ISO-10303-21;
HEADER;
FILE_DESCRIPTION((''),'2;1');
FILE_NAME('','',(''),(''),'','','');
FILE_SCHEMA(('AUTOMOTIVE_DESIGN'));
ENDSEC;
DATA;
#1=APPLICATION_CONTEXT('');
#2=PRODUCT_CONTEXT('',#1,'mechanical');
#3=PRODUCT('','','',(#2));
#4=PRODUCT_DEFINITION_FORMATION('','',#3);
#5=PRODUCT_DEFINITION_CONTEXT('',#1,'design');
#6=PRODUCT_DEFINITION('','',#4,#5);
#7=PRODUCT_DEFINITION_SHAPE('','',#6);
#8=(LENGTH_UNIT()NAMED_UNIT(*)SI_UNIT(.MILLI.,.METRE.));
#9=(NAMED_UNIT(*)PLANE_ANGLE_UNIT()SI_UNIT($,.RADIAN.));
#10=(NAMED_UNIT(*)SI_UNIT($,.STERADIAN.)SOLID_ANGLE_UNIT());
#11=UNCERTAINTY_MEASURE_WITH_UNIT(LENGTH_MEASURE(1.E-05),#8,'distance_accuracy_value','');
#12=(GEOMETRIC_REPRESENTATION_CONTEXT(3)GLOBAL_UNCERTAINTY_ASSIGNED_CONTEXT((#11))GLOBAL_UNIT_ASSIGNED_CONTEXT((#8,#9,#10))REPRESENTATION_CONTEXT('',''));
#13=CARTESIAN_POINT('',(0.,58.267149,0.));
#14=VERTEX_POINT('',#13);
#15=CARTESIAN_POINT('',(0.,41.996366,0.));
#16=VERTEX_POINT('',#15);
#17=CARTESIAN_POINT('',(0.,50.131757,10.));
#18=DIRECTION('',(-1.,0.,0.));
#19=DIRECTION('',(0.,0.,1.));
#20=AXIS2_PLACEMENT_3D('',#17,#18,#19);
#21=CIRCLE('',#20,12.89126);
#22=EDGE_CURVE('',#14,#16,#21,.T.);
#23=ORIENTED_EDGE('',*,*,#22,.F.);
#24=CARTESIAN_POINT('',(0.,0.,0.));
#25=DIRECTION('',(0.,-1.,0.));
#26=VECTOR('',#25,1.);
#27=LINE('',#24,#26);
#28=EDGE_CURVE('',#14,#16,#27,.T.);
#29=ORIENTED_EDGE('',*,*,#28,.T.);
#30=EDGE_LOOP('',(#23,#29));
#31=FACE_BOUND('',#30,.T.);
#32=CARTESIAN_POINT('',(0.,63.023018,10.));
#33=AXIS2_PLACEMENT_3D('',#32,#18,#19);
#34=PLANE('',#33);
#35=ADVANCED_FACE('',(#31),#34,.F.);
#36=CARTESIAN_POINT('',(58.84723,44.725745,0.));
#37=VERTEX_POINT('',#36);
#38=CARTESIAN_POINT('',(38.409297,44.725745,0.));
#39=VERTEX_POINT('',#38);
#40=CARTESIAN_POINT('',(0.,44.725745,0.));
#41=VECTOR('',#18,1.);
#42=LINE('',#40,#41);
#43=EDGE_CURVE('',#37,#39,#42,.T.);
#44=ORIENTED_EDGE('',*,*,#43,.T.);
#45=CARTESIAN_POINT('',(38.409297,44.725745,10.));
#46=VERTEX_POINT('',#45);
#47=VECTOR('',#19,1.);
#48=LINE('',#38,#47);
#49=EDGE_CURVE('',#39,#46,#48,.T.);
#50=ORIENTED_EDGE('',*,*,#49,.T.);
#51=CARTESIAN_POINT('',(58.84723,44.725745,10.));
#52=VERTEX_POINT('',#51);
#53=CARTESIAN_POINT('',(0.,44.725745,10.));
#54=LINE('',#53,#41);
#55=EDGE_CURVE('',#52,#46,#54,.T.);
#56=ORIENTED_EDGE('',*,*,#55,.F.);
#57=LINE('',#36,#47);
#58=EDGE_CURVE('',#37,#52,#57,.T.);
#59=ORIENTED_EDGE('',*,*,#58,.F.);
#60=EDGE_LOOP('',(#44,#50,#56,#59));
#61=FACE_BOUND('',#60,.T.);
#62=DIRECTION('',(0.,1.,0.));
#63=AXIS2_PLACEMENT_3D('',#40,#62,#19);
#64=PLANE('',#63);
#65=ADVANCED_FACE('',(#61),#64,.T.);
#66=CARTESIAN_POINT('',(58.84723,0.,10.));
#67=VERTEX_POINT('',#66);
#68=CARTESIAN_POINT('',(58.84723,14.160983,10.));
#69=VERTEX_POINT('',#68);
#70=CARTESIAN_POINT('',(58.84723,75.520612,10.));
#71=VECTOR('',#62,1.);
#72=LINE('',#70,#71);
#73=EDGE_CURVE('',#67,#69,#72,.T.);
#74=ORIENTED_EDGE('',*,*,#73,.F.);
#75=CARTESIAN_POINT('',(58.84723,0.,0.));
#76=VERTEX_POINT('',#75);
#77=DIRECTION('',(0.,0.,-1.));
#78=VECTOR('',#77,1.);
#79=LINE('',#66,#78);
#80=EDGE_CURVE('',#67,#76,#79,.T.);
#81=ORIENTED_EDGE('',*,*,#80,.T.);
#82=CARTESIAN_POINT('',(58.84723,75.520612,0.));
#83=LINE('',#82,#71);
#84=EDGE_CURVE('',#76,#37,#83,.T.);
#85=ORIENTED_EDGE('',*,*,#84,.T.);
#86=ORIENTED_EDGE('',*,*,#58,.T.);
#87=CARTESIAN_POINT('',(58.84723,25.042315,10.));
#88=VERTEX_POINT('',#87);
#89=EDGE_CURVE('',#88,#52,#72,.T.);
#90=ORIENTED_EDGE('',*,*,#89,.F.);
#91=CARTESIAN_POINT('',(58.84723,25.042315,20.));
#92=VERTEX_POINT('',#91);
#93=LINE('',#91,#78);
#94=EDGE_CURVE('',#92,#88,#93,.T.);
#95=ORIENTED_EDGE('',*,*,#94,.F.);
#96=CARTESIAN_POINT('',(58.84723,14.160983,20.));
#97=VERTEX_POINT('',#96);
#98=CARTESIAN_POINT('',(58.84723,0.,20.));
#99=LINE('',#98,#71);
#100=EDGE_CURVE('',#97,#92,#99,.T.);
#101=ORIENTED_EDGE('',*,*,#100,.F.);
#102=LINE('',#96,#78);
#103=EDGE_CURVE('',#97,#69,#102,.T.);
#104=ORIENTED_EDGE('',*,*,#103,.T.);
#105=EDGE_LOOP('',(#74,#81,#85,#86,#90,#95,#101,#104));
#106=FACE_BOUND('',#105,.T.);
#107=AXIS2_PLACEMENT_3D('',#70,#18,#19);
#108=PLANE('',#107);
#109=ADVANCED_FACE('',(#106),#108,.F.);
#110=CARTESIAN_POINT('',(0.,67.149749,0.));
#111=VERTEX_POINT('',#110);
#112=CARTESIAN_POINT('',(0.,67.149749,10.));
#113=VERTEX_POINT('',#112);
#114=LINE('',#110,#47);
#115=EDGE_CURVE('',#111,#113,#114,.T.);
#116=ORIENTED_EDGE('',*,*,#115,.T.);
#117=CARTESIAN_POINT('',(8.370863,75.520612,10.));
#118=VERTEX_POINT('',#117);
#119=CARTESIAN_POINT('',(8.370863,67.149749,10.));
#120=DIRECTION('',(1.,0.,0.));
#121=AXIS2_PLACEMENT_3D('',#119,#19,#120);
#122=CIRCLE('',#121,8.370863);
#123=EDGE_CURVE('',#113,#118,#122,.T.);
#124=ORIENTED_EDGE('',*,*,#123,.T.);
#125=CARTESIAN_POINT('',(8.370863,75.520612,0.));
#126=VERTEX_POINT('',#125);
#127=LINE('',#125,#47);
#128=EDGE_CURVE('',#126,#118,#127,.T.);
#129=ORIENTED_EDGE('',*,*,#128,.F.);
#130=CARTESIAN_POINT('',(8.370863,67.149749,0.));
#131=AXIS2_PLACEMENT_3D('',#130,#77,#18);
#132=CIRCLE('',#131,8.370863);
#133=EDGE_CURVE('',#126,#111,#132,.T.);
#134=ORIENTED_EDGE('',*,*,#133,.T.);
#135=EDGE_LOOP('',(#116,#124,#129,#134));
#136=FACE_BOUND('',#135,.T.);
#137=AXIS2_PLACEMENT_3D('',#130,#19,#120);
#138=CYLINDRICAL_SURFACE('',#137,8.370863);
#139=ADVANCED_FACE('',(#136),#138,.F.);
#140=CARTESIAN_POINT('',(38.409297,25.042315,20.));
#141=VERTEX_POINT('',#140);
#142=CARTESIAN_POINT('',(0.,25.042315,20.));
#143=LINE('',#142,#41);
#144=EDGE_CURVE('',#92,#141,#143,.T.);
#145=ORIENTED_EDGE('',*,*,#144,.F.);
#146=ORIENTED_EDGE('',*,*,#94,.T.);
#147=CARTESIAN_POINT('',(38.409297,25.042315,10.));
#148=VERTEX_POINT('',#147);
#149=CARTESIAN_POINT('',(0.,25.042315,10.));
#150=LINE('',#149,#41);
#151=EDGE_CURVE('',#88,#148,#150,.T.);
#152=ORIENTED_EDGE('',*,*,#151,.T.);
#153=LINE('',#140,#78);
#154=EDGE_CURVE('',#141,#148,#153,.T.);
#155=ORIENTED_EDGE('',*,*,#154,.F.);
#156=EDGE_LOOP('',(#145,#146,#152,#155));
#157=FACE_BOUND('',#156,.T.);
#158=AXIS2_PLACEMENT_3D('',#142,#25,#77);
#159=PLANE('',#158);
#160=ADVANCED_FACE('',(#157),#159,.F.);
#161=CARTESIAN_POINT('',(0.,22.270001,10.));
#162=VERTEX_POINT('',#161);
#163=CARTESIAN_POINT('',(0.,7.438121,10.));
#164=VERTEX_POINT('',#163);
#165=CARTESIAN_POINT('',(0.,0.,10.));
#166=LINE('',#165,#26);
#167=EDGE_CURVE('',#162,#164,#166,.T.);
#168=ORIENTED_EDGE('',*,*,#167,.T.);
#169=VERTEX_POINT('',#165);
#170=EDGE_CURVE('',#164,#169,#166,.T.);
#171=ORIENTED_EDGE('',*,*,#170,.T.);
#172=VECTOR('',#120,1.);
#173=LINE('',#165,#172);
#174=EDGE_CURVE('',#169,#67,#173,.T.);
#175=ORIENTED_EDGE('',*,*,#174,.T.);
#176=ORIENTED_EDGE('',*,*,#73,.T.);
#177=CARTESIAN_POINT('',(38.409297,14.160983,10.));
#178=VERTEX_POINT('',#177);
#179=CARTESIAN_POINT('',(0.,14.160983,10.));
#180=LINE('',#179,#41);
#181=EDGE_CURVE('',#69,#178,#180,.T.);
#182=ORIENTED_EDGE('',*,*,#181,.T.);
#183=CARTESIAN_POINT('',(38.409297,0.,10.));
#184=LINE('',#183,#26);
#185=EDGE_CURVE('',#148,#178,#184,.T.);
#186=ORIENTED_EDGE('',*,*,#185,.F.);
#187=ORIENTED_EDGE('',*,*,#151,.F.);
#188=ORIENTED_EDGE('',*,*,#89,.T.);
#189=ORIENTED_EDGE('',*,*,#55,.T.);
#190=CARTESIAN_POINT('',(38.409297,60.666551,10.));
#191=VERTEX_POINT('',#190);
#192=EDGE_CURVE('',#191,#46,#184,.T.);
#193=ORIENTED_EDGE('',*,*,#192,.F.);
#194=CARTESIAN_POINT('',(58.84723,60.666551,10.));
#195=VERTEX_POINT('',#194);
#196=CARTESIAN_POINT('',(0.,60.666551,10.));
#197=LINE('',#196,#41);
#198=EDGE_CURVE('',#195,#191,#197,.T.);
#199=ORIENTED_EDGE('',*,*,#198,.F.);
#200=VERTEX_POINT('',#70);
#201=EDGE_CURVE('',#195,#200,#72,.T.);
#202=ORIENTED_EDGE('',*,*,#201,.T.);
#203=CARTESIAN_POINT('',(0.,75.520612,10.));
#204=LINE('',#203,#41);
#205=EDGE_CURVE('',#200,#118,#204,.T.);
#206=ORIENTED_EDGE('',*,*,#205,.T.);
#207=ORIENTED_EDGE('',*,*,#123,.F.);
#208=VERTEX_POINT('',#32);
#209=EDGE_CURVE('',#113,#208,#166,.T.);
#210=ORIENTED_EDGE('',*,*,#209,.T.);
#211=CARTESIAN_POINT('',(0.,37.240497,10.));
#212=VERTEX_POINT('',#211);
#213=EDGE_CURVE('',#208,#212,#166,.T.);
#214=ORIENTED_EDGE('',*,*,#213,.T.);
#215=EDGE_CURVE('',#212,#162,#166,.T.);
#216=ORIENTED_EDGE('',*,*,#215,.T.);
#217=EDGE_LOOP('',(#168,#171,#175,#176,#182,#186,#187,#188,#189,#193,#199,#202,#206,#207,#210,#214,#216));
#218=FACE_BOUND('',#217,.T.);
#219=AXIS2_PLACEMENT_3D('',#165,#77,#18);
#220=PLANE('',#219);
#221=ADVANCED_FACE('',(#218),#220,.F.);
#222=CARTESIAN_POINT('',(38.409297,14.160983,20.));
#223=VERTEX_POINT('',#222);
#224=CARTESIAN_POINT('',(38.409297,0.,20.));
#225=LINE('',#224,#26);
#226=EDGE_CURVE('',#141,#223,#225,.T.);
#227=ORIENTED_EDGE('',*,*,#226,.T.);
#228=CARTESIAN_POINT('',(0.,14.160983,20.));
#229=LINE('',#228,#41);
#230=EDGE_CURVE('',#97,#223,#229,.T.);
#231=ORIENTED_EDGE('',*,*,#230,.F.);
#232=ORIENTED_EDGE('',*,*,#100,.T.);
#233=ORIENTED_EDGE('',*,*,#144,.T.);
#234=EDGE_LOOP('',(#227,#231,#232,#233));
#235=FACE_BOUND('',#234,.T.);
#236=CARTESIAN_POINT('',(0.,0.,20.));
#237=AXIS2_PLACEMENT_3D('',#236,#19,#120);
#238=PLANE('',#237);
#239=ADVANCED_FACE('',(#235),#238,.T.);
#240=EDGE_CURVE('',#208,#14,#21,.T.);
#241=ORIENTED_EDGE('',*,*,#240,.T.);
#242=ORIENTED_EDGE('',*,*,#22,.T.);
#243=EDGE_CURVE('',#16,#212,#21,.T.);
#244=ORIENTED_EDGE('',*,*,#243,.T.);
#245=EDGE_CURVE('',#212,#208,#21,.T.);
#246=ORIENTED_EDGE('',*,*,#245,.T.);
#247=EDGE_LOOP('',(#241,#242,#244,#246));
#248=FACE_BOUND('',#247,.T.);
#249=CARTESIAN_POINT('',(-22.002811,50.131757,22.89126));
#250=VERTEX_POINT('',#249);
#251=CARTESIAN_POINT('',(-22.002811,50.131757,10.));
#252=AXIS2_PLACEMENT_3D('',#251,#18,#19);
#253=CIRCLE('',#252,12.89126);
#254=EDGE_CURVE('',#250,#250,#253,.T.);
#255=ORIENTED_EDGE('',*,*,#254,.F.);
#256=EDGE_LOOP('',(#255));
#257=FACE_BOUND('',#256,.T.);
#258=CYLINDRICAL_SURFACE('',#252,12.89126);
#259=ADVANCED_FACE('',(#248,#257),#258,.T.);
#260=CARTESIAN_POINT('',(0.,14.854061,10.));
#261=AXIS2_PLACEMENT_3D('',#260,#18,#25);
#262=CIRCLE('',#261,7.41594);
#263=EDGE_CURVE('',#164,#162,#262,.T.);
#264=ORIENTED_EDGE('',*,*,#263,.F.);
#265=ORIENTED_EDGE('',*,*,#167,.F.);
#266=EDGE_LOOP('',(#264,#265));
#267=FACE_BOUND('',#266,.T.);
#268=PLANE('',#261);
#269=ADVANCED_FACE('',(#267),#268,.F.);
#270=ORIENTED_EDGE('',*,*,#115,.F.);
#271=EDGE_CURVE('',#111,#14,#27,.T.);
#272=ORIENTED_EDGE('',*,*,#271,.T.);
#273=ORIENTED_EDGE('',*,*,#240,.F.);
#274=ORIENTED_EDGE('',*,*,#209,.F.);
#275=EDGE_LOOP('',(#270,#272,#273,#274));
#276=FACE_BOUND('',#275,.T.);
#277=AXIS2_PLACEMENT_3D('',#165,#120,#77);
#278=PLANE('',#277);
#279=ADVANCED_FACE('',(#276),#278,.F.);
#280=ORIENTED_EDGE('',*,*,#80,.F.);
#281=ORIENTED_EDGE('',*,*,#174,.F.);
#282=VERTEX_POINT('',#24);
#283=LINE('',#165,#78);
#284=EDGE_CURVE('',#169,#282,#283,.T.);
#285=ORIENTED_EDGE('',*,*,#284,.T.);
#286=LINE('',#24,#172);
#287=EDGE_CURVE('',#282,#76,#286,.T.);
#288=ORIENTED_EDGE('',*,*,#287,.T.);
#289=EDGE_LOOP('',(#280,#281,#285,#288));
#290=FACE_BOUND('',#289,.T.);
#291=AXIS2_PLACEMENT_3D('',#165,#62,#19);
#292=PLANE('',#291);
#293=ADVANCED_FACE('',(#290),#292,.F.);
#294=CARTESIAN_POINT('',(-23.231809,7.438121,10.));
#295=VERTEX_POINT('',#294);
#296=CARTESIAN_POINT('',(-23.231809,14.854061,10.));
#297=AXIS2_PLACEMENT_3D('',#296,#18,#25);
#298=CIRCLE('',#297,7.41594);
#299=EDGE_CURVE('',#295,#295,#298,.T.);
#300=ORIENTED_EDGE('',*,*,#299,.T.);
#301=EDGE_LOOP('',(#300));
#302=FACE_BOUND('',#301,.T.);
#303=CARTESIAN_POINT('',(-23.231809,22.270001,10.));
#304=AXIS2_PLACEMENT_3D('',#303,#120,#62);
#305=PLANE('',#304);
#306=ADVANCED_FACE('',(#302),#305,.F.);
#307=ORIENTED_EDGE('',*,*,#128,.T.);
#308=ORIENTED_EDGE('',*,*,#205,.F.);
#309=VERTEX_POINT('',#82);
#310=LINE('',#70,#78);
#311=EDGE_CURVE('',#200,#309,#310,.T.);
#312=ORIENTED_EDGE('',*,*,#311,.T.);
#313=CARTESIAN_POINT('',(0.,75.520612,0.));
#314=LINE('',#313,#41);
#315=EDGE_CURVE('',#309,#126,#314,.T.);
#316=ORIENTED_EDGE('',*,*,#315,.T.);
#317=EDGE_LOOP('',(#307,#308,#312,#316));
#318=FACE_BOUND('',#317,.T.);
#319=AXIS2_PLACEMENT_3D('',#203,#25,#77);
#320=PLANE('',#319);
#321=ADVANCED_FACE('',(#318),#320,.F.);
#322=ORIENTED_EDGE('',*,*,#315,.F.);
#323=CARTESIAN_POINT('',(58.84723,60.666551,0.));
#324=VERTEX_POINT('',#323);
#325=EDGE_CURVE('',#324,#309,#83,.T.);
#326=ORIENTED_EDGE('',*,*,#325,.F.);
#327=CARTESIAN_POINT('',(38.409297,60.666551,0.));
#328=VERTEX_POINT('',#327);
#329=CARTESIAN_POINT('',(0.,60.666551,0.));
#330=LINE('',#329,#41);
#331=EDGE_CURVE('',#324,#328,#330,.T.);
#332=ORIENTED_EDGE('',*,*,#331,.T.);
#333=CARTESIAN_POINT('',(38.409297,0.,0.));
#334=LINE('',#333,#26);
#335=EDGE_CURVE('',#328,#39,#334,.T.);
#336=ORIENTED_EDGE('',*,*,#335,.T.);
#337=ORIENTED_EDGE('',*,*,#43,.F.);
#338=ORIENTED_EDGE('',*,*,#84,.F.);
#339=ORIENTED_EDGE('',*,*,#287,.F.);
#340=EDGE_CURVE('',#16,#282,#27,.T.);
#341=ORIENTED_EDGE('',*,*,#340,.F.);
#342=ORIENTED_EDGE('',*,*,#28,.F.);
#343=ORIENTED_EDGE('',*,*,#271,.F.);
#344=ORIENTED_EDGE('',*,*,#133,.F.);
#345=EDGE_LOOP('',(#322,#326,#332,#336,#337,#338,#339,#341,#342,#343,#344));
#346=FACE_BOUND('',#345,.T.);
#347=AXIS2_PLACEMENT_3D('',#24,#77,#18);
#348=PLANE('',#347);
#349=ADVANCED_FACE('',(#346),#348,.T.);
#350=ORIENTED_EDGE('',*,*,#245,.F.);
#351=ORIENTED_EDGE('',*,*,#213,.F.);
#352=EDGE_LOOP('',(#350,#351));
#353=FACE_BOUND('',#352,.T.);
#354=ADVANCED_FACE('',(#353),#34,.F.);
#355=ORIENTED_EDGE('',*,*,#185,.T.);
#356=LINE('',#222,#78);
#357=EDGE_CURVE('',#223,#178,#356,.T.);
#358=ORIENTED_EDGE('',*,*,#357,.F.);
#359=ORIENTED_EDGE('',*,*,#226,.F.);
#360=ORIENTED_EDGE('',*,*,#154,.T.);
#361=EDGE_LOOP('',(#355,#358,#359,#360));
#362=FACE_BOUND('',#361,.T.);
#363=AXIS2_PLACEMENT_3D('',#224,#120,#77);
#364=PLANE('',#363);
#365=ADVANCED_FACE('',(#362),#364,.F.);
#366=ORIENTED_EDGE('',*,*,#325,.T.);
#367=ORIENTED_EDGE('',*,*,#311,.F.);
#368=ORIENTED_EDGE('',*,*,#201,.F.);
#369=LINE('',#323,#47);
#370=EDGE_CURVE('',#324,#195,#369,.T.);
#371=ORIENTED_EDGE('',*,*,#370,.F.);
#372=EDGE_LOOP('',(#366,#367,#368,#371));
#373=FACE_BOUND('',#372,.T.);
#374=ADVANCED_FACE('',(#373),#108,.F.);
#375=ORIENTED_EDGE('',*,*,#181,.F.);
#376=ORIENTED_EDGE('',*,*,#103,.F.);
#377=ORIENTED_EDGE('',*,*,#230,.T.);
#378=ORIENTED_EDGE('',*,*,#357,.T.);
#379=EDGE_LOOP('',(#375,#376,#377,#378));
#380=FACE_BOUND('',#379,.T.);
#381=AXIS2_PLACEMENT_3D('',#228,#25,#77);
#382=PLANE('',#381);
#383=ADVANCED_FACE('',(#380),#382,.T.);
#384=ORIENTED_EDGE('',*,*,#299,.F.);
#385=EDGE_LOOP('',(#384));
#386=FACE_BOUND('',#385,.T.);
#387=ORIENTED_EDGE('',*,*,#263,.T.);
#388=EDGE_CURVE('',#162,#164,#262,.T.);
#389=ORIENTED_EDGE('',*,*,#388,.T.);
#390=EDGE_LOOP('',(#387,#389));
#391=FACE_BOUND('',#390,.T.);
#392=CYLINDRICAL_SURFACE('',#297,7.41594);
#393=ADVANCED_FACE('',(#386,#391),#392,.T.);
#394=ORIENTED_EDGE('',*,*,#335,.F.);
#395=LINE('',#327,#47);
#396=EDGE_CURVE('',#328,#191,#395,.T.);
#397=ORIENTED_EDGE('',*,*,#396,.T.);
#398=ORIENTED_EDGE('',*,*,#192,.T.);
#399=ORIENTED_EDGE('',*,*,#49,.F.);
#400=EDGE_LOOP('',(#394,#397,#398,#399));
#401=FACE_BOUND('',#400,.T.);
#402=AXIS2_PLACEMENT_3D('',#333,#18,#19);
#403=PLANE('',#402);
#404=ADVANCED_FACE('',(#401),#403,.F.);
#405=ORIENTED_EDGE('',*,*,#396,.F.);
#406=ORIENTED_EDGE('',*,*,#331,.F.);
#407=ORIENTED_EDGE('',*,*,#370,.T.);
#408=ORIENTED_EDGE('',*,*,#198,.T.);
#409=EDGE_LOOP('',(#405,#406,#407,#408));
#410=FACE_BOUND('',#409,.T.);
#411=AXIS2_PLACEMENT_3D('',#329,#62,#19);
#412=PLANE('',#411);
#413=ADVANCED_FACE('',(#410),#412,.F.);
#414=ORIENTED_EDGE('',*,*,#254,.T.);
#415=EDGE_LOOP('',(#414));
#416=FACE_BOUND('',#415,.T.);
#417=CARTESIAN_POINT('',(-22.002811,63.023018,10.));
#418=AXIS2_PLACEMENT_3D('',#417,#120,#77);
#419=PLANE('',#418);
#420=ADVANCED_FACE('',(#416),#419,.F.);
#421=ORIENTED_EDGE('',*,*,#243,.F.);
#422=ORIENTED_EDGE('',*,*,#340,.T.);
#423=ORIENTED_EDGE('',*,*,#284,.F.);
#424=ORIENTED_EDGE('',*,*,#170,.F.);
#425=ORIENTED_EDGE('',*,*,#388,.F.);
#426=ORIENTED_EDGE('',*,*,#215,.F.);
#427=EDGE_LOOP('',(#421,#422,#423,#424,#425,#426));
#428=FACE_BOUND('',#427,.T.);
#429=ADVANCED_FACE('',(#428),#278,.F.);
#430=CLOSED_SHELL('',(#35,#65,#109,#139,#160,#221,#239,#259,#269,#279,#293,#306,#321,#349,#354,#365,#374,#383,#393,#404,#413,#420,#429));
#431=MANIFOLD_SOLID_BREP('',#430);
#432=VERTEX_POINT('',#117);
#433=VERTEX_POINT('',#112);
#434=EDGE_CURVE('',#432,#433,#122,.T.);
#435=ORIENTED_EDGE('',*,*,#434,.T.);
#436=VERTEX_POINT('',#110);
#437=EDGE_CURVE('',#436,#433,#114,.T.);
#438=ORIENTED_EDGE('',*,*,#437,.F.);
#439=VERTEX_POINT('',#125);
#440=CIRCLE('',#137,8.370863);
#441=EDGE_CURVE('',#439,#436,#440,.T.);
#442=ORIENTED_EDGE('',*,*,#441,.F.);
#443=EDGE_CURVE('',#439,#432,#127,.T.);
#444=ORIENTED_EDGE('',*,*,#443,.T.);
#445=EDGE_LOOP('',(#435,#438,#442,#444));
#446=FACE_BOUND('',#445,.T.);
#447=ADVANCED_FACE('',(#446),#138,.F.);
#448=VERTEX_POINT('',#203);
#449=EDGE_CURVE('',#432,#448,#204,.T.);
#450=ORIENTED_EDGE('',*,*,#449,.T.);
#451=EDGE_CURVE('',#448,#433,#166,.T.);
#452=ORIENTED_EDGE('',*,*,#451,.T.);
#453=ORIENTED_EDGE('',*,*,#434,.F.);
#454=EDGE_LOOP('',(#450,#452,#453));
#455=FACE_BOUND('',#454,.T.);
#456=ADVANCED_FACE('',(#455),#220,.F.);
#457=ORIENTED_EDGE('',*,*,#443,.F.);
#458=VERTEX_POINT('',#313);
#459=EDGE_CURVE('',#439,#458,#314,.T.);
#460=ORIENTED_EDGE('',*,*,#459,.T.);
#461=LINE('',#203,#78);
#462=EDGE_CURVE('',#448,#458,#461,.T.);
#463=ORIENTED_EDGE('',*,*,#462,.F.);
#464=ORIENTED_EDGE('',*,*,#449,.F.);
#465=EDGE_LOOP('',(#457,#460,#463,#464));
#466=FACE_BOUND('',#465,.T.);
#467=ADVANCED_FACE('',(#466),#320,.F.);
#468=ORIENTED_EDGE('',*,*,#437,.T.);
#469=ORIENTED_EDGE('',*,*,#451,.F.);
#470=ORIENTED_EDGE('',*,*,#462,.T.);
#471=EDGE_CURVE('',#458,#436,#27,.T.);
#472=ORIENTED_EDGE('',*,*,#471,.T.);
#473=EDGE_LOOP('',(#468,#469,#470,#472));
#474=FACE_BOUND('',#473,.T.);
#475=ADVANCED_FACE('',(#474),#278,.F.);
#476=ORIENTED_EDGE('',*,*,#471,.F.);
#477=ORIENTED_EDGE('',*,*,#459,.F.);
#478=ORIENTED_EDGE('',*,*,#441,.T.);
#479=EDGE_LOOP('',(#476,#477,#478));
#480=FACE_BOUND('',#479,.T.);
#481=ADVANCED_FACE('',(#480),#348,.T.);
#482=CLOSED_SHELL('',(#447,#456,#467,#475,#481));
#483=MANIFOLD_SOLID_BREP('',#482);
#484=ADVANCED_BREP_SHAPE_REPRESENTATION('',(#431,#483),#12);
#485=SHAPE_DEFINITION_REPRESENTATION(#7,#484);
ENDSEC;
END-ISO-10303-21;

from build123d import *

# Parameters (mm, degrees)
SKETCH_1_W          = 58.847230119
SKETCH_1_H          = 75.520611986
EXTRUDE_1_DEPTH     = 10
SKETCH_2_W          = 22.002810591
SKETCH_2_H          = 12.891260339
SKETCH_3_W          = 23.231808856
SKETCH_3_H          = 7.415940087
SKETCH_4_W          = 20.437933357
SKETCH_4_H          = 15.940805794
CUT_EXTRUDE_1_DEPTH = 10
SKETCH_4_3_W        = 20.437933357
SKETCH_4_3_H        = 10.881332651
EXTRUDE_2_DEPTH     = 10
SKETCH_5_R          = 8.370863313
CUT_EXTRUDE_3_DEPTH = 10


with BuildPart() as part:
    # 草图1 → 凸台-拉伸1 (new body)
    with BuildSketch(Plane.XY):
        with Locations((29.42361506, 37.760305993)):
            Rectangle(SKETCH_1_W, SKETCH_1_H)
    extrude(amount=EXTRUDE_1_DEPTH)

    # 草图2 → 旋转1 (revolve)
    with BuildSketch(Plane.XY.offset(10)):
        with Locations((-11.001405296, 56.577387616)):
            Rectangle(SKETCH_2_W, SKETCH_2_H)
    revolve(axis=Axis((-22.002810591, 50.131757446, 10), (1, 0, 0)))

    # 草图3 → 旋转2 (revolve)
    with BuildSketch(Plane.XY.offset(10)):
        with Locations((-11.615904428, 18.562031188)):
            Rectangle(SKETCH_3_W, SKETCH_3_H)
    revolve(axis=Axis((-23.231808856, 14.854061144, 10), (1, 0, 0)))

    # 草图4 → 切除-拉伸1 (cut)
    with BuildSketch(Plane.XY.offset(10)):
        with Locations((48.628263441, 52.696147944)):
            Rectangle(SKETCH_4_W, SKETCH_4_H)
    extrude(amount=-CUT_EXTRUDE_1_DEPTH, mode=Mode.SUBTRACT)

    # 草图4<3> → 凸台-拉伸2 (add)
    with BuildSketch(Plane.XY.offset(10)):
        with Locations((48.628263441, 19.601648958)):
            Rectangle(SKETCH_4_3_W, SKETCH_4_3_H)
    extrude(amount=EXTRUDE_2_DEPTH)

    # 草图5 → 切除-拉伸3 (cut)
    with BuildSketch(Plane.XY.offset(10)):
        with Locations((8.370863313, 67.149748673)):
            Circle(SKETCH_5_R)
    extrude(amount=-CUT_EXTRUDE_3_DEPTH, mode=Mode.SUBTRACT)


with BuildPart() as cut_extrude_3_piece_1:
    # of the separate pieces the step leaves, piece 1, a body of its own (cut_extrude_3_pieces)
    add(part.part.solids().sort_by_distance((0, 0, 0))[0])


with BuildPart() as cut_extrude_3_piece_2:
    # of the separate pieces the step leaves, piece 2, a body of its own (cut_extrude_3_pieces)
    add(part.part.solids().sort_by_distance((0, 75.520611986, 0))[0])


solid = Compound([cut_extrude_3_piece_1.part, cut_extrude_3_piece_2.part])
